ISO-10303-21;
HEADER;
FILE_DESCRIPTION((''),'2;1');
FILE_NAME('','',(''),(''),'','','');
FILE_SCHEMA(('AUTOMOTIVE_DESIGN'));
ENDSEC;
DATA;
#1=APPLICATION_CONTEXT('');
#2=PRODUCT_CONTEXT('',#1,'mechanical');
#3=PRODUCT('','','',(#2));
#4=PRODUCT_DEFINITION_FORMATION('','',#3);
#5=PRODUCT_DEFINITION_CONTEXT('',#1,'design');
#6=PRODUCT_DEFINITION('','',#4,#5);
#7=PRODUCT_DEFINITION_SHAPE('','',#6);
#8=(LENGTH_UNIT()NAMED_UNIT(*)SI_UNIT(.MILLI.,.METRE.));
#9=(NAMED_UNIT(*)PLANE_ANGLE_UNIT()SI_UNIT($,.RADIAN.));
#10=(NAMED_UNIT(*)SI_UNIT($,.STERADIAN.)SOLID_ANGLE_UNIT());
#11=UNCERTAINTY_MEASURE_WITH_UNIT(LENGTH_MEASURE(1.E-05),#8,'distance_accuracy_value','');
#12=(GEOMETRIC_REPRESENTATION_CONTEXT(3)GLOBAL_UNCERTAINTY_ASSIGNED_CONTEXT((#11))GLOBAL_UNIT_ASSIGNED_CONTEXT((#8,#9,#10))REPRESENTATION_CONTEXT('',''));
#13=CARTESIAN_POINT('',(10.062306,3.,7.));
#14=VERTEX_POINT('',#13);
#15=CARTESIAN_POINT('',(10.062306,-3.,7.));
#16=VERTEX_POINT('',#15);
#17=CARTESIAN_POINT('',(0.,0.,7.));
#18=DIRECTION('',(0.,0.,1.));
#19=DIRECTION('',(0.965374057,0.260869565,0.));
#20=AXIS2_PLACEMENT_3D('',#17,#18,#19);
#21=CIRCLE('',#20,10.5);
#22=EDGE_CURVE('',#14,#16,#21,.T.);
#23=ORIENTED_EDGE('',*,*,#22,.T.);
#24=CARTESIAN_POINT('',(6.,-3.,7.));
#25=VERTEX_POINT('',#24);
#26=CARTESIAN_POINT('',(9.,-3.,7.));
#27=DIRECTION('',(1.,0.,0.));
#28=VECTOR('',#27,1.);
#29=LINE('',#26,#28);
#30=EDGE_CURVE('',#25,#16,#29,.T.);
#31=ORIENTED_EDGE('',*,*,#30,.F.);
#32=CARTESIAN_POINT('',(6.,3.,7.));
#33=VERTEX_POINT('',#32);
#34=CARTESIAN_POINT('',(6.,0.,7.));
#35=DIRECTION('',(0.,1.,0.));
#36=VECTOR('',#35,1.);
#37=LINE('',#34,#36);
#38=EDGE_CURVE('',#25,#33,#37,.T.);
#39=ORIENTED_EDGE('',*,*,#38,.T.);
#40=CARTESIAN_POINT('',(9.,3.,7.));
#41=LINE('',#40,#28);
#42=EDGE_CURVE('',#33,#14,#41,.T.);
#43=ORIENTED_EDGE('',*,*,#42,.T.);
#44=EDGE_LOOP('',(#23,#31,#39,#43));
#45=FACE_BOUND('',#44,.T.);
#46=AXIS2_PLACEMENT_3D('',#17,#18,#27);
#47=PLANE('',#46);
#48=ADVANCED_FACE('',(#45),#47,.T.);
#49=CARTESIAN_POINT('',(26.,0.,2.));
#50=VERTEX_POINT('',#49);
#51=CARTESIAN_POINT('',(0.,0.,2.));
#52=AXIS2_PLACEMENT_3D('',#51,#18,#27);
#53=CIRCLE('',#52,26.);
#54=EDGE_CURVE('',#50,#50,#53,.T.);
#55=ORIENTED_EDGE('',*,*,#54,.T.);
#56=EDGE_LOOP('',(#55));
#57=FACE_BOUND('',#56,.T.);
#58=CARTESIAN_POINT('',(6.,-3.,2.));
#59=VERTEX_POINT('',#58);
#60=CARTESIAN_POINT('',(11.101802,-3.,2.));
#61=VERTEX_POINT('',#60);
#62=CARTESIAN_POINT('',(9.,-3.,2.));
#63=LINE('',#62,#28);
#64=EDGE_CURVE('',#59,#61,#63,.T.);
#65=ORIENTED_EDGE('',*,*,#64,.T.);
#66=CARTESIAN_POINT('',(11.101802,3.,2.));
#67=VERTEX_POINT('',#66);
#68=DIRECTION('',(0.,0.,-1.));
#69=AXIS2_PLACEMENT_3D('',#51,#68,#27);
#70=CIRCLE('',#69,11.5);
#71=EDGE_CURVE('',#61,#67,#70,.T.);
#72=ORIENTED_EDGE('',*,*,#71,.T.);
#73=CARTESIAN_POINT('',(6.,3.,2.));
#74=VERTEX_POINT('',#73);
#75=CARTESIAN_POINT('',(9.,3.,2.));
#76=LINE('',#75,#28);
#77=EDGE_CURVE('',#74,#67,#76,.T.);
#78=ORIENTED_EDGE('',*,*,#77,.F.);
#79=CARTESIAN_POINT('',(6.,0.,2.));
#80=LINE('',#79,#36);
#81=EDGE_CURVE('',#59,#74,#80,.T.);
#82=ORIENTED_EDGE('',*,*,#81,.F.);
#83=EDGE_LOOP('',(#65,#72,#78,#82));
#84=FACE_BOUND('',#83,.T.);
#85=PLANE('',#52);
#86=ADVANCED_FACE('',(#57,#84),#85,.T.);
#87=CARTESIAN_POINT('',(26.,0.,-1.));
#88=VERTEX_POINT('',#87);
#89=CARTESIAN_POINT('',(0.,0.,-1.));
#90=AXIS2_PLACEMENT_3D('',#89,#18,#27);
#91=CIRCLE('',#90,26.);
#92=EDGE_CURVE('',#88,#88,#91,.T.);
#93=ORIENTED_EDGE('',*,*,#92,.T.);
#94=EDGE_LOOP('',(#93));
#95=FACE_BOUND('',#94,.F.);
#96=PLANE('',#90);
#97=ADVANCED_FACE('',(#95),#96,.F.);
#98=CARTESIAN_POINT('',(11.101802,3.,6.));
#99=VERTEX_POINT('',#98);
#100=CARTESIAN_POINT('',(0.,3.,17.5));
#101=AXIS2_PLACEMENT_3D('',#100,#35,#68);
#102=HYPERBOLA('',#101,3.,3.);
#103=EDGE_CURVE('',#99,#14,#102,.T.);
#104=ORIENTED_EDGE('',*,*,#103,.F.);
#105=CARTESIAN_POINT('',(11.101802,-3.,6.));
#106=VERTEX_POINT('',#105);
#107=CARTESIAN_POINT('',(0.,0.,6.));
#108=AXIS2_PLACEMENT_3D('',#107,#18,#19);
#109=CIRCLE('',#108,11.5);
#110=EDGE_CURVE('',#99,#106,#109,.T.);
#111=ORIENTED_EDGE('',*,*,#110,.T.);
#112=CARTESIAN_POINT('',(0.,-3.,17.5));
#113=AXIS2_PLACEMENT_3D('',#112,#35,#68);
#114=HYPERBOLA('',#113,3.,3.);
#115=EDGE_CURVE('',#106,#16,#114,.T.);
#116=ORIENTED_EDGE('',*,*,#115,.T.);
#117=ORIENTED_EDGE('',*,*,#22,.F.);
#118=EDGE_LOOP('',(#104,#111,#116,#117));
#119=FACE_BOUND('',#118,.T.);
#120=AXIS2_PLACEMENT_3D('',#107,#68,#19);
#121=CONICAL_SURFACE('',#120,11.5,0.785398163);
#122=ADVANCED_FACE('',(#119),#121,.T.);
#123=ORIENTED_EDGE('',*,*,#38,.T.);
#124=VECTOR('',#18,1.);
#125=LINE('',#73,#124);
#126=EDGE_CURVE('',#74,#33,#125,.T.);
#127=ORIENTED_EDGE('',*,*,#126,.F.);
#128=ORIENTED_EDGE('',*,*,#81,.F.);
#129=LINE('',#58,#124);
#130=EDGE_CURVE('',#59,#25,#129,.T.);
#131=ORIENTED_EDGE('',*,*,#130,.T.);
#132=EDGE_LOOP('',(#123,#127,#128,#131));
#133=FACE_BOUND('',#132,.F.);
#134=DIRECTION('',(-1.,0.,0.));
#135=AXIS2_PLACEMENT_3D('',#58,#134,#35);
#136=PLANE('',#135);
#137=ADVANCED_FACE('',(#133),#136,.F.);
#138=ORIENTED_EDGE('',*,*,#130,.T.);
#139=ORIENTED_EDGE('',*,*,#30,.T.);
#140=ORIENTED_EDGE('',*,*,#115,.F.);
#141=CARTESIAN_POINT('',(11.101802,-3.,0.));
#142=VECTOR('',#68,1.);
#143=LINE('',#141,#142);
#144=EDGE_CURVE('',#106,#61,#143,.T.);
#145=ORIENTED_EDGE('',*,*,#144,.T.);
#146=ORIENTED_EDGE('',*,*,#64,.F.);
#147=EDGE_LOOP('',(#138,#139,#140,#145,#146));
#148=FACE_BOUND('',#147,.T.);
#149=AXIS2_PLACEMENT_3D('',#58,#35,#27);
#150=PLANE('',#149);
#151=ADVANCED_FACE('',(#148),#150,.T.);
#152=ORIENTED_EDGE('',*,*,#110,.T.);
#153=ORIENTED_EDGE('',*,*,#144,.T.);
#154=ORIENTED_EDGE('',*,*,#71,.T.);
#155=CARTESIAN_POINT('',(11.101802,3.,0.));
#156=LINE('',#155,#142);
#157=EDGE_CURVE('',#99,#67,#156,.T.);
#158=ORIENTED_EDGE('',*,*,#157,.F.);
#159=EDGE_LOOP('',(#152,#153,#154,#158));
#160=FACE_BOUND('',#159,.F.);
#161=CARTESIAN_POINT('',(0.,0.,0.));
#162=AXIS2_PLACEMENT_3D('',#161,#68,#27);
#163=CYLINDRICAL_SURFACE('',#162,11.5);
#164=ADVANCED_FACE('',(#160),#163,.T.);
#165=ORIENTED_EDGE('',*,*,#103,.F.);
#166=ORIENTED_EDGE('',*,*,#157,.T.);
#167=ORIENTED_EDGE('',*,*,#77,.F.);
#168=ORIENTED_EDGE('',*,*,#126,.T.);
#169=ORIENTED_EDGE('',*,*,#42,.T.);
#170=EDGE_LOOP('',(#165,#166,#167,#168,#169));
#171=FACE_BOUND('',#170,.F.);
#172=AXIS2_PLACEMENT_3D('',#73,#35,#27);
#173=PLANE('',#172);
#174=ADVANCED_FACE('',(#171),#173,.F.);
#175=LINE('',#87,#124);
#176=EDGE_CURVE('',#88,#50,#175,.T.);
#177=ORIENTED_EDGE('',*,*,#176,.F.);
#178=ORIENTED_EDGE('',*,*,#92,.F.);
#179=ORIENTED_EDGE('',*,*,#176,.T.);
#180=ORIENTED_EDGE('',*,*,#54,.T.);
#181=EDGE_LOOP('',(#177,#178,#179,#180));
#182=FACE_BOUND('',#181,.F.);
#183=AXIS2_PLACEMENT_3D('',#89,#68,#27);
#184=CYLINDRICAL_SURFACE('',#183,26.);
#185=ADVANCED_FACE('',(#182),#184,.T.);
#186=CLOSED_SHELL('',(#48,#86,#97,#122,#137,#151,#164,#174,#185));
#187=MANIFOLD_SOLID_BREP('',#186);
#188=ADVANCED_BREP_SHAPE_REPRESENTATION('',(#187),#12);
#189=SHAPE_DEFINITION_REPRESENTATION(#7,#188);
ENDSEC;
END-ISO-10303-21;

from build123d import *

# Parameters (mm, degrees)
BOX211_W                         = 6
BOX211_H                         = 6
BOX211_DEPTH                     = 5
CYLINDER014005814004018007_R     = 26
CYLINDER014005814004018007_DEPTH = 3
CYLINDER014005814004018006_R     = 11.5
CYLINDER014005814004018006_DEPTH = 7
CHAMFER_SIZE                     = 1


with BuildPart() as krychle186:
    # Box211 → Box211 (new body)
    with BuildSketch(Plane(origin=(6, -3, 2), x_dir=(1, 0, 0), z_dir=(0, 0, 1))):
        with Locations((3, 3)):
            Rectangle(BOX211_W, BOX211_H)
    extrude(amount=BOX211_DEPTH)


with BuildPart() as v_lec749:
    # Cylinder014005814004018007 → Cylinder014005814004018007 (new body)
    with BuildSketch(Plane.XY.offset(-1)):
        Circle(CYLINDER014005814004018007_R)
    extrude(amount=CYLINDER014005814004018007_DEPTH)


with BuildPart() as cap2:
    # Cylinder014005814004018006 → Cylinder014005814004018006 (new body)
    with BuildSketch(Plane.XY):
        Circle(CYLINDER014005814004018006_R)
    extrude(amount=CYLINDER014005814004018006_DEPTH)

    # Fusion001089091: union Válec749
    add(v_lec749.part)

    # Cut061098126006: cut Krychle186
    add(krychle186.part, mode=Mode.SUBTRACT)

    # Chamfer
    chamfer_edges = [cap2.edges().sort_by_distance(p)[0] for p in [
        (-11.5, 0, 7),
    ]]
    chamfer(chamfer_edges, length=CHAMFER_SIZE)


solid = cap2.part
